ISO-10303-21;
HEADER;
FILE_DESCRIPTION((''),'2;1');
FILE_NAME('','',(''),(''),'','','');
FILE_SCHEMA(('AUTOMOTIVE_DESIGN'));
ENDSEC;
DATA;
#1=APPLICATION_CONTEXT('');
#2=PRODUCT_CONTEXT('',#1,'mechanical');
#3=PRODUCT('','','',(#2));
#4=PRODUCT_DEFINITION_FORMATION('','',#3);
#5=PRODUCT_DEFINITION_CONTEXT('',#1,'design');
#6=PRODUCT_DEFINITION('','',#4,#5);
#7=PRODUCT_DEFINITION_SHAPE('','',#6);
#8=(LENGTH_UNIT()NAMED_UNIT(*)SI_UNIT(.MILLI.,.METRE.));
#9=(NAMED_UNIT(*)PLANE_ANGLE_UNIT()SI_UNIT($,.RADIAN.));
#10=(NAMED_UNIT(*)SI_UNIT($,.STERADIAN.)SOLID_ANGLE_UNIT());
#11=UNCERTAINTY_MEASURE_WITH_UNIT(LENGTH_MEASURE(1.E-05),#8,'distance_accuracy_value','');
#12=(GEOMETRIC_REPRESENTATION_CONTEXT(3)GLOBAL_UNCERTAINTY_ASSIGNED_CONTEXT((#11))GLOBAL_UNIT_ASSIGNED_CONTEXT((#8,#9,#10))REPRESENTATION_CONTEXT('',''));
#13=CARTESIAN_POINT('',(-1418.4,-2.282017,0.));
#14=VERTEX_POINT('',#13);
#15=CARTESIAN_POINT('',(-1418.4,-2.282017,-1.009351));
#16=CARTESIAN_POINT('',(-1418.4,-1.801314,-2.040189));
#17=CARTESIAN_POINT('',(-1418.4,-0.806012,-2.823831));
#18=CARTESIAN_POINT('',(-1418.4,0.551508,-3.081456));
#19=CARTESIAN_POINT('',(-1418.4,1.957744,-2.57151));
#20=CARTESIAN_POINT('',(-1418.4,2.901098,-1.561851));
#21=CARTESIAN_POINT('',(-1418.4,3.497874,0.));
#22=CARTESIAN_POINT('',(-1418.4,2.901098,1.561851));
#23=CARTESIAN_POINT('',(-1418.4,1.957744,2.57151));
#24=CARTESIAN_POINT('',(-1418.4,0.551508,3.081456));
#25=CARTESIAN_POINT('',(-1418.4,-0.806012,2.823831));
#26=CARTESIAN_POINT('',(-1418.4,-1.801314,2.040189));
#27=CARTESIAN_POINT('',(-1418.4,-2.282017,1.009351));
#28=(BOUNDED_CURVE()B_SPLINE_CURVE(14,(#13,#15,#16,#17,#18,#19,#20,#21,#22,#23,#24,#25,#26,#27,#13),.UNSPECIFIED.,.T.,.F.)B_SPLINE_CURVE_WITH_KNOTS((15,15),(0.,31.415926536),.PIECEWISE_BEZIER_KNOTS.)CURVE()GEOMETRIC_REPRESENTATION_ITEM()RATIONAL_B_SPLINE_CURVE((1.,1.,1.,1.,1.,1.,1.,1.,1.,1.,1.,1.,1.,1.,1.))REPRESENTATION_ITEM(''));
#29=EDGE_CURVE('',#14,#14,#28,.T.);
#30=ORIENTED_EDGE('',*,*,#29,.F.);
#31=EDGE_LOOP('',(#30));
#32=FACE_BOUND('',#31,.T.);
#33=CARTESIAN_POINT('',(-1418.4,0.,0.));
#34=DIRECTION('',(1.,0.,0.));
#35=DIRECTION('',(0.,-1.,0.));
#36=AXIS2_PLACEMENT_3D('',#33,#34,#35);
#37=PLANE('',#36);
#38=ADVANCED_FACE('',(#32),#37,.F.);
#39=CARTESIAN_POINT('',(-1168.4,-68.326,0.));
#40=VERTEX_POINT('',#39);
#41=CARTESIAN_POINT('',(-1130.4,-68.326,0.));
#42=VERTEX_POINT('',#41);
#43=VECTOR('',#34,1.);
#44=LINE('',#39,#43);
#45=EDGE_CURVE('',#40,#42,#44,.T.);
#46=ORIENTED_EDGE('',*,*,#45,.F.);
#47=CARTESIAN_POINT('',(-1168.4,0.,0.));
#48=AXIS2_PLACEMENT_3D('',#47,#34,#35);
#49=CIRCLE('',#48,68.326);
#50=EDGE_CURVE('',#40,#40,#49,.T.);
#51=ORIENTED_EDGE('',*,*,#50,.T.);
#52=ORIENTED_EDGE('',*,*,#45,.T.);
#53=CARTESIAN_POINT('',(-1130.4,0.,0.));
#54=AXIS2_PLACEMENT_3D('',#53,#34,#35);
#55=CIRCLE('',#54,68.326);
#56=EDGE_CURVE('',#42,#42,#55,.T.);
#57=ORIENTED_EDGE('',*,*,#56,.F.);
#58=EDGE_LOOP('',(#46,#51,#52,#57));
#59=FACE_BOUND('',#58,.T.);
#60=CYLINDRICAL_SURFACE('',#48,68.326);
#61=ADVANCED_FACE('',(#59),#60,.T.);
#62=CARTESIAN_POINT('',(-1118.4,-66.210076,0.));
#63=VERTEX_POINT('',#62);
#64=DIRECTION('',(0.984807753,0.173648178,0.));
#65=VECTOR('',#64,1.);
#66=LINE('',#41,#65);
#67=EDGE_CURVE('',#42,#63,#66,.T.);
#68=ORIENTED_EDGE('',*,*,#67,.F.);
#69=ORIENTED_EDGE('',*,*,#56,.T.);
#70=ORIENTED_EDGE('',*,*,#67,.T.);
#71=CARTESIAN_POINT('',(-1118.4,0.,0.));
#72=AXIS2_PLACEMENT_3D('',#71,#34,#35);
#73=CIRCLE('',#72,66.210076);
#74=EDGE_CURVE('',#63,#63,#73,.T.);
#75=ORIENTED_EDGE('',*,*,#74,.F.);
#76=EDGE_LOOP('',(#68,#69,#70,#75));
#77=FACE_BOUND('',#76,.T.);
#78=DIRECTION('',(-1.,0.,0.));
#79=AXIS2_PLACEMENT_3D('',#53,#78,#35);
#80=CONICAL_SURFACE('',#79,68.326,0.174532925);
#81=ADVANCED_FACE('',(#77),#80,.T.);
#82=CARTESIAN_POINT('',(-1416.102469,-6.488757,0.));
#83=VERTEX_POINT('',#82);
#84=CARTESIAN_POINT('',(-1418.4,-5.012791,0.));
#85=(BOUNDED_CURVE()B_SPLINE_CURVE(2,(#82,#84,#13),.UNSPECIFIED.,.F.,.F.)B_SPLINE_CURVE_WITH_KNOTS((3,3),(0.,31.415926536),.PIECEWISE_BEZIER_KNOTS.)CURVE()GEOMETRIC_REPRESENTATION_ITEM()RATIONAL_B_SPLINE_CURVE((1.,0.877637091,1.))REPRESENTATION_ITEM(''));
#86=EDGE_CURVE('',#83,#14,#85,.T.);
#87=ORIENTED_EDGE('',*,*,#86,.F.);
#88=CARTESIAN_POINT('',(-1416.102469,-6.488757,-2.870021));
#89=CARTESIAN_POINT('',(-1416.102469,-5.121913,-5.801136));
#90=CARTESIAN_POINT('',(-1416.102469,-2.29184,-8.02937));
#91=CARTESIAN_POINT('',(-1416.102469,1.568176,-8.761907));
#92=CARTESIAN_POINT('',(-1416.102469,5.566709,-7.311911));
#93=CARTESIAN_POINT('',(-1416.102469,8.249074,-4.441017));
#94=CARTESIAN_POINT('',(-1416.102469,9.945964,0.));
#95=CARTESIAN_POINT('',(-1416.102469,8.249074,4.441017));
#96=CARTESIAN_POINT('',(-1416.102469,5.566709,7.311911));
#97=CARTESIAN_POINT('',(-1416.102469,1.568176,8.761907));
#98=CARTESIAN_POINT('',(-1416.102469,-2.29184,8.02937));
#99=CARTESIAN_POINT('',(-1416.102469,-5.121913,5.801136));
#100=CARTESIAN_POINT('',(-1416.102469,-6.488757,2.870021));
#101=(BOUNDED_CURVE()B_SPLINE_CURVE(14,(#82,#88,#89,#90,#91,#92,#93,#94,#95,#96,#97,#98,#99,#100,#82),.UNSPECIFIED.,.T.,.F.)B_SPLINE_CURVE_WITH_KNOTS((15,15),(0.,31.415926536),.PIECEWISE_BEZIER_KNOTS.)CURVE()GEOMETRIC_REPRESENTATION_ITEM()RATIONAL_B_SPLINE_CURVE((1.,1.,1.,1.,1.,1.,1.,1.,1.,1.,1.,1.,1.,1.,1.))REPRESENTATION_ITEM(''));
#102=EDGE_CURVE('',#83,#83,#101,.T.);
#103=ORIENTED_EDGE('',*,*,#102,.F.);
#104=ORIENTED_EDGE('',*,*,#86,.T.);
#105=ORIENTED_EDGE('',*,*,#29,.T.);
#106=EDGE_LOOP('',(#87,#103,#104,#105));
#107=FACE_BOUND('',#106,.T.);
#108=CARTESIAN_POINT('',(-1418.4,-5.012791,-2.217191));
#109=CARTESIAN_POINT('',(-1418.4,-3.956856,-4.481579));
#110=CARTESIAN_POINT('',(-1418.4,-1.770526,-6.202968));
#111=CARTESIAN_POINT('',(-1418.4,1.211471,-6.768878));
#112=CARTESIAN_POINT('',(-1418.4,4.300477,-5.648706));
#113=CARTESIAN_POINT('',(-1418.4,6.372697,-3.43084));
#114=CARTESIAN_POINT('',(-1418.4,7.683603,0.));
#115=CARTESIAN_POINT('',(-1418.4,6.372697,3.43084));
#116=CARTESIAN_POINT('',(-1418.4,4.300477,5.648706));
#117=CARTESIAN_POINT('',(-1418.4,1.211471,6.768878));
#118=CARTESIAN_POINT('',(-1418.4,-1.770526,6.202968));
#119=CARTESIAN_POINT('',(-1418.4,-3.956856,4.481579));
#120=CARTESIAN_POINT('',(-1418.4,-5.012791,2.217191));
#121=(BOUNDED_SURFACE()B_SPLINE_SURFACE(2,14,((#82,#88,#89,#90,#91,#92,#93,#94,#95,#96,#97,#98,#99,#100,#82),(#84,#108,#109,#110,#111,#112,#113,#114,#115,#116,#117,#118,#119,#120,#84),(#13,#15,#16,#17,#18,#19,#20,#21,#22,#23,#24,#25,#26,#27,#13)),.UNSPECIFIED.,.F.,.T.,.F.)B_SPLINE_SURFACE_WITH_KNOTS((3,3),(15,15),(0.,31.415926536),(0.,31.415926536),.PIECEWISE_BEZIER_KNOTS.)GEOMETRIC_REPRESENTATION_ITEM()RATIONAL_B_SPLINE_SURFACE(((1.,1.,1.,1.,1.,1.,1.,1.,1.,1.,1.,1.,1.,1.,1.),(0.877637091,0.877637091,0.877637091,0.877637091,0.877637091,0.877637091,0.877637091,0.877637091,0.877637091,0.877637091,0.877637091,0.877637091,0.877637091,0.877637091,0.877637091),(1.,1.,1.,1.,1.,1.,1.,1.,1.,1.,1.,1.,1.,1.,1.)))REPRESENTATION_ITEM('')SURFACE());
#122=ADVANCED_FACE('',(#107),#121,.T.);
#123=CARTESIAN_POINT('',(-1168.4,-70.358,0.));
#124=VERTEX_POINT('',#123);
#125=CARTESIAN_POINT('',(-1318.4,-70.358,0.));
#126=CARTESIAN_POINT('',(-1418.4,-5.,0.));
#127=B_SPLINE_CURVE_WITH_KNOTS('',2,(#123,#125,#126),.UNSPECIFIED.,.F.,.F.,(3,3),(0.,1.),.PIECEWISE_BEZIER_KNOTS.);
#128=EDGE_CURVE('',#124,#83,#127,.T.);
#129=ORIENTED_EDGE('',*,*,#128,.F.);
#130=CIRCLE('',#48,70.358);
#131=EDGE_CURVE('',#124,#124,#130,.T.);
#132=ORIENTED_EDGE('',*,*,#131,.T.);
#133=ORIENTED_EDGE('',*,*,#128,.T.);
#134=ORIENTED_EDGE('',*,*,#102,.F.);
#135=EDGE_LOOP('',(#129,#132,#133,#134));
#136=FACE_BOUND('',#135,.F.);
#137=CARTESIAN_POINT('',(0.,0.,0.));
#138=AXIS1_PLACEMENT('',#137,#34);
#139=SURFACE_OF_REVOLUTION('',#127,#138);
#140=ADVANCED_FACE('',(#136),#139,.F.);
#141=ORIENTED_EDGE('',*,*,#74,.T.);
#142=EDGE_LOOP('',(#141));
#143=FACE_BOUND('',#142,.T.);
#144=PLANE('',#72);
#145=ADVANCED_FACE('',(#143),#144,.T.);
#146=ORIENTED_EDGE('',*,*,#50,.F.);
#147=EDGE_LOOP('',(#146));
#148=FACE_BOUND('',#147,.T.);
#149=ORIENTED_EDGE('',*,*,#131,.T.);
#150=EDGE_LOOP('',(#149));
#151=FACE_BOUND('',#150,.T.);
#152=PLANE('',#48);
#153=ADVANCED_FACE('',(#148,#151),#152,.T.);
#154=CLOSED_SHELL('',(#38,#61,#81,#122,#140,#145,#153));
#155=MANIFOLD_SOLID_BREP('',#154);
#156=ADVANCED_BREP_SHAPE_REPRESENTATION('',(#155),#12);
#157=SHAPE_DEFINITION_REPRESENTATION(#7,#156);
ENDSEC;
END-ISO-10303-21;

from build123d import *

# Parameters (mm, degrees)
CHAMFER_ANGLE = 10
CHAMFER_SIZE  = 12
FILLET003_R   = 5


with BuildPart() as part:
    # Sketch012 → Revolution003 (revolve)
    with BuildSketch(Plane.XY):
        with BuildLine():
            Line((-1168.4, 0), (-1418.4, 0))
            Line((-1418.4, 0), (-1418.4, -5))
            add(Edge.make_bspline(
                [(-1168.4, -70.358), (-1318.4, -70.358), (-1418.4, -5)],
                knots=[0, 0, 0, 1, 1, 1], degree=2))
            Line((-1168.4, -70.358), (-1168.4, -68.326))
            Line((-1168.4, -68.326), (-1118.4, -68.326))
            Line((-1118.4, -68.326), (-1118.4, 0))
            Line((-1118.4, 0), (-1168.4, 0))
        make_face()
    revolve(axis=Axis((0, 0, 0), (1, 0, 0)))

    # Chamfer
    chamfer_edges = [part.edges().sort_by_distance(p)[0] for p in [
        (-1118.4, 68.326, 0),
    ]]
    chamfer_side = part.faces().sort_by_distance((-1143.4, 68.326, 0))[0]
    chamfer(chamfer_edges, length=CHAMFER_SIZE, angle=CHAMFER_ANGLE, reference=chamfer_side)

    # Fillet003
    fillet003_edges = [part.edges().sort_by_distance(p)[0] for p in [
        (-1418.4, 5, 0),
    ]]
    fillet(fillet003_edges, radius=FILLET003_R)


solid = part.part
